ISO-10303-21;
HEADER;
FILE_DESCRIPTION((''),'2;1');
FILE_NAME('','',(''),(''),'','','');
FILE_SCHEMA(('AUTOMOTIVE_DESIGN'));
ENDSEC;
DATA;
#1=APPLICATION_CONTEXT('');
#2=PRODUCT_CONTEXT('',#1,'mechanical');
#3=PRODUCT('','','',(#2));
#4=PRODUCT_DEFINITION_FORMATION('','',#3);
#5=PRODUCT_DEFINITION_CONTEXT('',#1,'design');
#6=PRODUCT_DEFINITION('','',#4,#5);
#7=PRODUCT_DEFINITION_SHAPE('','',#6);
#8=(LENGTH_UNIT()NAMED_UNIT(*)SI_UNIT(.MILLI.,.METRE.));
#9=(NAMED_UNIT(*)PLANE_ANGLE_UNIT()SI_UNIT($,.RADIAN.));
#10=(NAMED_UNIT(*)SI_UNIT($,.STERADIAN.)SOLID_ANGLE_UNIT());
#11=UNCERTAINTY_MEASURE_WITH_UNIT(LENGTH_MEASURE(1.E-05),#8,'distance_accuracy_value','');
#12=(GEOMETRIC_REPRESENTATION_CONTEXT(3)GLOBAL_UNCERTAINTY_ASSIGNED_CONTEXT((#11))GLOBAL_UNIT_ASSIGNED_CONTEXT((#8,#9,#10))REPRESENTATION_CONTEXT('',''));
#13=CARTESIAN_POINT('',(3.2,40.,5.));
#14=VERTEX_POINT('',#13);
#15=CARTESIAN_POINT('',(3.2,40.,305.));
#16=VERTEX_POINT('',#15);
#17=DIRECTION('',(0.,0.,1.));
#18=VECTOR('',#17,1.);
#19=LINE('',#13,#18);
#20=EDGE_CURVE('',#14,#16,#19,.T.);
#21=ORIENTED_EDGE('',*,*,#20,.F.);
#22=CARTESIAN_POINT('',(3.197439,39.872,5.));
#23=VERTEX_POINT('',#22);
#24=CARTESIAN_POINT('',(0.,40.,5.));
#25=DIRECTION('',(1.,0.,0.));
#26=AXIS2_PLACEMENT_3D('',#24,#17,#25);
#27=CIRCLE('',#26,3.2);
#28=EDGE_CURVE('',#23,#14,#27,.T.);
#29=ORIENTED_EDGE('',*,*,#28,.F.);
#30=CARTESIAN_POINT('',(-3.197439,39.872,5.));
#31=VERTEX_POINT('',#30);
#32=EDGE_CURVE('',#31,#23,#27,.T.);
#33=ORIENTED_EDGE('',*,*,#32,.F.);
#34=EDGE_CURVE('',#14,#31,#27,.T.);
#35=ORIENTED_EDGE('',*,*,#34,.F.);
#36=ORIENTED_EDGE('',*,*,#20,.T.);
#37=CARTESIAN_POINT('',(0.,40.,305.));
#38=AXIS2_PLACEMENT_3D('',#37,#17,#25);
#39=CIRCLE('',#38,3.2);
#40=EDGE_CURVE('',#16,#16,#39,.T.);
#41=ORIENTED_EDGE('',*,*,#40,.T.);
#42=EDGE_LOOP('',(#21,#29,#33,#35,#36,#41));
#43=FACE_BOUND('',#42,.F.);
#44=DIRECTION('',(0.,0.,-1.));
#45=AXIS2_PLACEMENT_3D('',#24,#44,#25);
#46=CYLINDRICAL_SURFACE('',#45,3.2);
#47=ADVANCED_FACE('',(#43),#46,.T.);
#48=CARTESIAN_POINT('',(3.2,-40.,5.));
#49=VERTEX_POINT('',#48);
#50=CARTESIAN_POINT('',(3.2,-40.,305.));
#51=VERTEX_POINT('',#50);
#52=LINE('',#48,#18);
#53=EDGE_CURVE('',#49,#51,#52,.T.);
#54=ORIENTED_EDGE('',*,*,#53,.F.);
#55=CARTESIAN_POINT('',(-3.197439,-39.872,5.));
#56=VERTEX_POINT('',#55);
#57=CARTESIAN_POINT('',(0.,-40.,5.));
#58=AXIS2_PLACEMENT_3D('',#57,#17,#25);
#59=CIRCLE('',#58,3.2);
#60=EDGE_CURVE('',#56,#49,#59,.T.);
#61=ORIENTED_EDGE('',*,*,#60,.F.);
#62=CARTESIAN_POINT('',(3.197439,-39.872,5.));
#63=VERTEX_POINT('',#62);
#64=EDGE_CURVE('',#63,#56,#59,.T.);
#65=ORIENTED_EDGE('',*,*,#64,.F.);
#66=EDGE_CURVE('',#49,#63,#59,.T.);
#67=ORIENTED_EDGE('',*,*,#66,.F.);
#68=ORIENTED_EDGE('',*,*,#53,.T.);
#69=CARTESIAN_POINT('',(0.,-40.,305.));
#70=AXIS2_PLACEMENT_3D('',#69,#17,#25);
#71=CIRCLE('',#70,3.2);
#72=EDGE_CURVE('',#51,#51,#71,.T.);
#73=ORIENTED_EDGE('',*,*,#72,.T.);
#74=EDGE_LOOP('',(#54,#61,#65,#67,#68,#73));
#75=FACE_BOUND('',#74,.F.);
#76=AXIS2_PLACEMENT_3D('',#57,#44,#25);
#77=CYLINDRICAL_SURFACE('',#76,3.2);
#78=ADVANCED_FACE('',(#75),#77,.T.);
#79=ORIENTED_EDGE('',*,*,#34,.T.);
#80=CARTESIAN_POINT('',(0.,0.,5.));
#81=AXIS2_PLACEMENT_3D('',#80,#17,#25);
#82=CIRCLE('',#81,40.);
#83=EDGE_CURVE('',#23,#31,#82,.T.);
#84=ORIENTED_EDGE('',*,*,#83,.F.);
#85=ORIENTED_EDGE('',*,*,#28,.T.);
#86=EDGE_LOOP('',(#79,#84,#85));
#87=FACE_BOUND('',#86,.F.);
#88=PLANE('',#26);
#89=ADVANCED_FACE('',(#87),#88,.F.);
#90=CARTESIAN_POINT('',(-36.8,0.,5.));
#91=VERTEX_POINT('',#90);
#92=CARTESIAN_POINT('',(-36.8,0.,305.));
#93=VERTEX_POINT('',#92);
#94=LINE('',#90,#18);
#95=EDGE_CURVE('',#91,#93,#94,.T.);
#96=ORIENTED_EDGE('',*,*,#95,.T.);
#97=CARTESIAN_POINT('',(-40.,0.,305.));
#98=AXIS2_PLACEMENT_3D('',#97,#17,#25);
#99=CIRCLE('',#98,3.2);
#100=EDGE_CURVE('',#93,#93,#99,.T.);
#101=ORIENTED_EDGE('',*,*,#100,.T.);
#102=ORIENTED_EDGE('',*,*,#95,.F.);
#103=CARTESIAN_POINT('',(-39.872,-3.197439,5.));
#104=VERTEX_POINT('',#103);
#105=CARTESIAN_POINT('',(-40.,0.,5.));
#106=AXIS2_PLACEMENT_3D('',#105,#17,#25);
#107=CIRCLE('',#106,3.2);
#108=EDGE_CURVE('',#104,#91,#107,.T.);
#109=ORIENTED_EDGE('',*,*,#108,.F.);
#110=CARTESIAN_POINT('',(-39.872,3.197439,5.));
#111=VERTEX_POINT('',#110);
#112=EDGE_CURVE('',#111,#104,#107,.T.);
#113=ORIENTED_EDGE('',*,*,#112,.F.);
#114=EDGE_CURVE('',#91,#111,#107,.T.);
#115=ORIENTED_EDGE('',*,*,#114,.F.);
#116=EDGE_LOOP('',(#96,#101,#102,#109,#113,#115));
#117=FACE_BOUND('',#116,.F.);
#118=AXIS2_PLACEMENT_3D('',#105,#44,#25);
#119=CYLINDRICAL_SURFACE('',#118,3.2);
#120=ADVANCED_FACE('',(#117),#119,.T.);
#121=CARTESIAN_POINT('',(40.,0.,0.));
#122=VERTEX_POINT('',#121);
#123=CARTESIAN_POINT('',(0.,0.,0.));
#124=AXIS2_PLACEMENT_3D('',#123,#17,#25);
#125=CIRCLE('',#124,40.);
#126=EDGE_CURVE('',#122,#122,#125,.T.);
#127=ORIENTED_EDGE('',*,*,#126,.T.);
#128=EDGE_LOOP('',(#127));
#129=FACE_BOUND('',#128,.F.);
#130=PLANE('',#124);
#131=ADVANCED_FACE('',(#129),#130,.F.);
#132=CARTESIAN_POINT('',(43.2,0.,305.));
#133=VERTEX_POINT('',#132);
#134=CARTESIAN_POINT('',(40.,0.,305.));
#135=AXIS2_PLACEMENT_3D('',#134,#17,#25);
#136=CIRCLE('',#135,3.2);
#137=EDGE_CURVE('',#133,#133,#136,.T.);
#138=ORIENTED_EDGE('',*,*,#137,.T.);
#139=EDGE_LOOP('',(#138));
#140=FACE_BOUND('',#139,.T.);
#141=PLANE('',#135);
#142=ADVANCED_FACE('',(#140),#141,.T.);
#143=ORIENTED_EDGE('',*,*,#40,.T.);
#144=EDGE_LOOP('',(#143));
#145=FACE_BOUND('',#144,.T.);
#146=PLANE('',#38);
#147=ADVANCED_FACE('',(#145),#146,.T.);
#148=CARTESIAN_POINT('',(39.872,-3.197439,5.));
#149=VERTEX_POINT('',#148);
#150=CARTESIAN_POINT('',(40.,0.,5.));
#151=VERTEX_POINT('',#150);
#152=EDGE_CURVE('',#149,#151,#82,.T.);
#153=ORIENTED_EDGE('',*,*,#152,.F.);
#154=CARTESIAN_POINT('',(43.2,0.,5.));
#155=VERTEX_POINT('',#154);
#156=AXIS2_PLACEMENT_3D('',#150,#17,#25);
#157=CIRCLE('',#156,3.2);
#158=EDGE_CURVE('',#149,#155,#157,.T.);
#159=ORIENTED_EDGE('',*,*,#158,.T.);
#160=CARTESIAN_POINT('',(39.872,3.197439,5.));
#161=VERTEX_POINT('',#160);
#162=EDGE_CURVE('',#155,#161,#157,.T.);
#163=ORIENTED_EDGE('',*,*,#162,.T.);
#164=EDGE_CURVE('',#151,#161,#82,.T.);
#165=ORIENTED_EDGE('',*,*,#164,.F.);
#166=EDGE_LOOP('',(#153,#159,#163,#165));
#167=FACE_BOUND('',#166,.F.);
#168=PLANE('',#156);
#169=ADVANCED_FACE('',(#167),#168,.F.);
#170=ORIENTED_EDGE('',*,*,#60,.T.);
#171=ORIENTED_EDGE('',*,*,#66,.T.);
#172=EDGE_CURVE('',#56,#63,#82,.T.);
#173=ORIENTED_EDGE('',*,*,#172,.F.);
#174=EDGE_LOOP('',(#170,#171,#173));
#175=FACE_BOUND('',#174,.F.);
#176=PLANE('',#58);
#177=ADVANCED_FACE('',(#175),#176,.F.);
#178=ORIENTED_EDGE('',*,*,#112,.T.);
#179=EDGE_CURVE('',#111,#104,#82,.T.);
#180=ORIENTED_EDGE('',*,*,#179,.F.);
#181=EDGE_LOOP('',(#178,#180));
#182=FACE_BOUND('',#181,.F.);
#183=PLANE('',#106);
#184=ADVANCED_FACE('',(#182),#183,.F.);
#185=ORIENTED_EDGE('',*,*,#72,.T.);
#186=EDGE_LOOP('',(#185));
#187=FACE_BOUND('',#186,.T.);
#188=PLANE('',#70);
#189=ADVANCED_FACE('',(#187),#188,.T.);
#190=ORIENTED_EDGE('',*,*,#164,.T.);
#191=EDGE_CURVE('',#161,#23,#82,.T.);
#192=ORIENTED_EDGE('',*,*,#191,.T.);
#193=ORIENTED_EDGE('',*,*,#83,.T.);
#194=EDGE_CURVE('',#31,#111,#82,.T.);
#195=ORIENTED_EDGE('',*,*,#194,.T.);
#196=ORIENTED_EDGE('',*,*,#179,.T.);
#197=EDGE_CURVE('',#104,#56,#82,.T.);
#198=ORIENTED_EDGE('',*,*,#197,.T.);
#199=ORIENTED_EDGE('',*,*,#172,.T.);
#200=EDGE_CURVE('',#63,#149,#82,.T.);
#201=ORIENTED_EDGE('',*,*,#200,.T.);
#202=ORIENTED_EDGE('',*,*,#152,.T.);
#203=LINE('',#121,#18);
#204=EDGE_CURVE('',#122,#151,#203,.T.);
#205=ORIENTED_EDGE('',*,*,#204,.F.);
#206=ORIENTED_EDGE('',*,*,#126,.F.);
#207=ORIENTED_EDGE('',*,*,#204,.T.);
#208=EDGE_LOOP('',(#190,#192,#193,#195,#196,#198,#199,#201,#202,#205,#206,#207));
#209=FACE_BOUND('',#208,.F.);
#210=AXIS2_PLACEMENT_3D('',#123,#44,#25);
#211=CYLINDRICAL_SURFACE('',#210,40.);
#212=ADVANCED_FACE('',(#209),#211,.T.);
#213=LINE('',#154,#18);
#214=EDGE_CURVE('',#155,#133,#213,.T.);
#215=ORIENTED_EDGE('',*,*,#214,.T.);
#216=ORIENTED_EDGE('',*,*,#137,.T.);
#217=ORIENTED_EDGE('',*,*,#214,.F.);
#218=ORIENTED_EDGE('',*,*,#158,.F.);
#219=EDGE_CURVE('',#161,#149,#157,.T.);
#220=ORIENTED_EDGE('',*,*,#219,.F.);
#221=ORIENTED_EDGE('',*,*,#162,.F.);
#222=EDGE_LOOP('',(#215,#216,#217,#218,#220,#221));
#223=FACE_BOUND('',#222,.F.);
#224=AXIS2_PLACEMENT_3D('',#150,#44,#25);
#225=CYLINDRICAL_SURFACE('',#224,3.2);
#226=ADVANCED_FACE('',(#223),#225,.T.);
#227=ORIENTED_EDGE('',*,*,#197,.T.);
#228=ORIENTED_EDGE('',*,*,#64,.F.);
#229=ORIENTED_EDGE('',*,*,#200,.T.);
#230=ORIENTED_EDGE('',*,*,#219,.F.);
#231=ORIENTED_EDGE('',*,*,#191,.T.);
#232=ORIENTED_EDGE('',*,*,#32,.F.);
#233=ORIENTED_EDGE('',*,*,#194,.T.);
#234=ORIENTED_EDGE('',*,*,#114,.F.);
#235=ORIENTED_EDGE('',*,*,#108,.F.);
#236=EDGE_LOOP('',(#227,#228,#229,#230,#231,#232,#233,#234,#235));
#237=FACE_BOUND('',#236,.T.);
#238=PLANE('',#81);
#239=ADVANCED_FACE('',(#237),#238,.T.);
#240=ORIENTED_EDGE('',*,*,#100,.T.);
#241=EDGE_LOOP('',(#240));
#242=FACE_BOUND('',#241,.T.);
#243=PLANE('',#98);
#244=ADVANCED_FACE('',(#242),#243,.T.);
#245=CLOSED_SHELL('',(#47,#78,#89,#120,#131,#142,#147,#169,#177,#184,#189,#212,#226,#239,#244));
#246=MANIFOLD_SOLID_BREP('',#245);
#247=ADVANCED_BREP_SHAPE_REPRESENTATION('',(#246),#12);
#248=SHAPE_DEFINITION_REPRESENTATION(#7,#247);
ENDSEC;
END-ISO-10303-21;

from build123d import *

# Parameters (mm, degrees)
F0_R     = 40
F1_DEPTH = 5
F2_R     = 3.2
F3_DEPTH = 300


with BuildPart() as f1:
    # F0 (on Top) → F1 (new body)
    with BuildSketch(Plane.XY):
        Circle(F0_R)
    extrude(amount=F1_DEPTH)

    # F2 (on face) → F3 (join)
    with BuildSketch(Plane.XY.offset(5)):
        with Locations((0, 40)):
            Circle(F2_R)
        with Locations((-40, 0)):
            Circle(F2_R)
        with Locations((0, -40)):
            Circle(F2_R)
        with Locations((40, 0)):
            Circle(F2_R)
    extrude(amount=F3_DEPTH)


solid = f1.part
